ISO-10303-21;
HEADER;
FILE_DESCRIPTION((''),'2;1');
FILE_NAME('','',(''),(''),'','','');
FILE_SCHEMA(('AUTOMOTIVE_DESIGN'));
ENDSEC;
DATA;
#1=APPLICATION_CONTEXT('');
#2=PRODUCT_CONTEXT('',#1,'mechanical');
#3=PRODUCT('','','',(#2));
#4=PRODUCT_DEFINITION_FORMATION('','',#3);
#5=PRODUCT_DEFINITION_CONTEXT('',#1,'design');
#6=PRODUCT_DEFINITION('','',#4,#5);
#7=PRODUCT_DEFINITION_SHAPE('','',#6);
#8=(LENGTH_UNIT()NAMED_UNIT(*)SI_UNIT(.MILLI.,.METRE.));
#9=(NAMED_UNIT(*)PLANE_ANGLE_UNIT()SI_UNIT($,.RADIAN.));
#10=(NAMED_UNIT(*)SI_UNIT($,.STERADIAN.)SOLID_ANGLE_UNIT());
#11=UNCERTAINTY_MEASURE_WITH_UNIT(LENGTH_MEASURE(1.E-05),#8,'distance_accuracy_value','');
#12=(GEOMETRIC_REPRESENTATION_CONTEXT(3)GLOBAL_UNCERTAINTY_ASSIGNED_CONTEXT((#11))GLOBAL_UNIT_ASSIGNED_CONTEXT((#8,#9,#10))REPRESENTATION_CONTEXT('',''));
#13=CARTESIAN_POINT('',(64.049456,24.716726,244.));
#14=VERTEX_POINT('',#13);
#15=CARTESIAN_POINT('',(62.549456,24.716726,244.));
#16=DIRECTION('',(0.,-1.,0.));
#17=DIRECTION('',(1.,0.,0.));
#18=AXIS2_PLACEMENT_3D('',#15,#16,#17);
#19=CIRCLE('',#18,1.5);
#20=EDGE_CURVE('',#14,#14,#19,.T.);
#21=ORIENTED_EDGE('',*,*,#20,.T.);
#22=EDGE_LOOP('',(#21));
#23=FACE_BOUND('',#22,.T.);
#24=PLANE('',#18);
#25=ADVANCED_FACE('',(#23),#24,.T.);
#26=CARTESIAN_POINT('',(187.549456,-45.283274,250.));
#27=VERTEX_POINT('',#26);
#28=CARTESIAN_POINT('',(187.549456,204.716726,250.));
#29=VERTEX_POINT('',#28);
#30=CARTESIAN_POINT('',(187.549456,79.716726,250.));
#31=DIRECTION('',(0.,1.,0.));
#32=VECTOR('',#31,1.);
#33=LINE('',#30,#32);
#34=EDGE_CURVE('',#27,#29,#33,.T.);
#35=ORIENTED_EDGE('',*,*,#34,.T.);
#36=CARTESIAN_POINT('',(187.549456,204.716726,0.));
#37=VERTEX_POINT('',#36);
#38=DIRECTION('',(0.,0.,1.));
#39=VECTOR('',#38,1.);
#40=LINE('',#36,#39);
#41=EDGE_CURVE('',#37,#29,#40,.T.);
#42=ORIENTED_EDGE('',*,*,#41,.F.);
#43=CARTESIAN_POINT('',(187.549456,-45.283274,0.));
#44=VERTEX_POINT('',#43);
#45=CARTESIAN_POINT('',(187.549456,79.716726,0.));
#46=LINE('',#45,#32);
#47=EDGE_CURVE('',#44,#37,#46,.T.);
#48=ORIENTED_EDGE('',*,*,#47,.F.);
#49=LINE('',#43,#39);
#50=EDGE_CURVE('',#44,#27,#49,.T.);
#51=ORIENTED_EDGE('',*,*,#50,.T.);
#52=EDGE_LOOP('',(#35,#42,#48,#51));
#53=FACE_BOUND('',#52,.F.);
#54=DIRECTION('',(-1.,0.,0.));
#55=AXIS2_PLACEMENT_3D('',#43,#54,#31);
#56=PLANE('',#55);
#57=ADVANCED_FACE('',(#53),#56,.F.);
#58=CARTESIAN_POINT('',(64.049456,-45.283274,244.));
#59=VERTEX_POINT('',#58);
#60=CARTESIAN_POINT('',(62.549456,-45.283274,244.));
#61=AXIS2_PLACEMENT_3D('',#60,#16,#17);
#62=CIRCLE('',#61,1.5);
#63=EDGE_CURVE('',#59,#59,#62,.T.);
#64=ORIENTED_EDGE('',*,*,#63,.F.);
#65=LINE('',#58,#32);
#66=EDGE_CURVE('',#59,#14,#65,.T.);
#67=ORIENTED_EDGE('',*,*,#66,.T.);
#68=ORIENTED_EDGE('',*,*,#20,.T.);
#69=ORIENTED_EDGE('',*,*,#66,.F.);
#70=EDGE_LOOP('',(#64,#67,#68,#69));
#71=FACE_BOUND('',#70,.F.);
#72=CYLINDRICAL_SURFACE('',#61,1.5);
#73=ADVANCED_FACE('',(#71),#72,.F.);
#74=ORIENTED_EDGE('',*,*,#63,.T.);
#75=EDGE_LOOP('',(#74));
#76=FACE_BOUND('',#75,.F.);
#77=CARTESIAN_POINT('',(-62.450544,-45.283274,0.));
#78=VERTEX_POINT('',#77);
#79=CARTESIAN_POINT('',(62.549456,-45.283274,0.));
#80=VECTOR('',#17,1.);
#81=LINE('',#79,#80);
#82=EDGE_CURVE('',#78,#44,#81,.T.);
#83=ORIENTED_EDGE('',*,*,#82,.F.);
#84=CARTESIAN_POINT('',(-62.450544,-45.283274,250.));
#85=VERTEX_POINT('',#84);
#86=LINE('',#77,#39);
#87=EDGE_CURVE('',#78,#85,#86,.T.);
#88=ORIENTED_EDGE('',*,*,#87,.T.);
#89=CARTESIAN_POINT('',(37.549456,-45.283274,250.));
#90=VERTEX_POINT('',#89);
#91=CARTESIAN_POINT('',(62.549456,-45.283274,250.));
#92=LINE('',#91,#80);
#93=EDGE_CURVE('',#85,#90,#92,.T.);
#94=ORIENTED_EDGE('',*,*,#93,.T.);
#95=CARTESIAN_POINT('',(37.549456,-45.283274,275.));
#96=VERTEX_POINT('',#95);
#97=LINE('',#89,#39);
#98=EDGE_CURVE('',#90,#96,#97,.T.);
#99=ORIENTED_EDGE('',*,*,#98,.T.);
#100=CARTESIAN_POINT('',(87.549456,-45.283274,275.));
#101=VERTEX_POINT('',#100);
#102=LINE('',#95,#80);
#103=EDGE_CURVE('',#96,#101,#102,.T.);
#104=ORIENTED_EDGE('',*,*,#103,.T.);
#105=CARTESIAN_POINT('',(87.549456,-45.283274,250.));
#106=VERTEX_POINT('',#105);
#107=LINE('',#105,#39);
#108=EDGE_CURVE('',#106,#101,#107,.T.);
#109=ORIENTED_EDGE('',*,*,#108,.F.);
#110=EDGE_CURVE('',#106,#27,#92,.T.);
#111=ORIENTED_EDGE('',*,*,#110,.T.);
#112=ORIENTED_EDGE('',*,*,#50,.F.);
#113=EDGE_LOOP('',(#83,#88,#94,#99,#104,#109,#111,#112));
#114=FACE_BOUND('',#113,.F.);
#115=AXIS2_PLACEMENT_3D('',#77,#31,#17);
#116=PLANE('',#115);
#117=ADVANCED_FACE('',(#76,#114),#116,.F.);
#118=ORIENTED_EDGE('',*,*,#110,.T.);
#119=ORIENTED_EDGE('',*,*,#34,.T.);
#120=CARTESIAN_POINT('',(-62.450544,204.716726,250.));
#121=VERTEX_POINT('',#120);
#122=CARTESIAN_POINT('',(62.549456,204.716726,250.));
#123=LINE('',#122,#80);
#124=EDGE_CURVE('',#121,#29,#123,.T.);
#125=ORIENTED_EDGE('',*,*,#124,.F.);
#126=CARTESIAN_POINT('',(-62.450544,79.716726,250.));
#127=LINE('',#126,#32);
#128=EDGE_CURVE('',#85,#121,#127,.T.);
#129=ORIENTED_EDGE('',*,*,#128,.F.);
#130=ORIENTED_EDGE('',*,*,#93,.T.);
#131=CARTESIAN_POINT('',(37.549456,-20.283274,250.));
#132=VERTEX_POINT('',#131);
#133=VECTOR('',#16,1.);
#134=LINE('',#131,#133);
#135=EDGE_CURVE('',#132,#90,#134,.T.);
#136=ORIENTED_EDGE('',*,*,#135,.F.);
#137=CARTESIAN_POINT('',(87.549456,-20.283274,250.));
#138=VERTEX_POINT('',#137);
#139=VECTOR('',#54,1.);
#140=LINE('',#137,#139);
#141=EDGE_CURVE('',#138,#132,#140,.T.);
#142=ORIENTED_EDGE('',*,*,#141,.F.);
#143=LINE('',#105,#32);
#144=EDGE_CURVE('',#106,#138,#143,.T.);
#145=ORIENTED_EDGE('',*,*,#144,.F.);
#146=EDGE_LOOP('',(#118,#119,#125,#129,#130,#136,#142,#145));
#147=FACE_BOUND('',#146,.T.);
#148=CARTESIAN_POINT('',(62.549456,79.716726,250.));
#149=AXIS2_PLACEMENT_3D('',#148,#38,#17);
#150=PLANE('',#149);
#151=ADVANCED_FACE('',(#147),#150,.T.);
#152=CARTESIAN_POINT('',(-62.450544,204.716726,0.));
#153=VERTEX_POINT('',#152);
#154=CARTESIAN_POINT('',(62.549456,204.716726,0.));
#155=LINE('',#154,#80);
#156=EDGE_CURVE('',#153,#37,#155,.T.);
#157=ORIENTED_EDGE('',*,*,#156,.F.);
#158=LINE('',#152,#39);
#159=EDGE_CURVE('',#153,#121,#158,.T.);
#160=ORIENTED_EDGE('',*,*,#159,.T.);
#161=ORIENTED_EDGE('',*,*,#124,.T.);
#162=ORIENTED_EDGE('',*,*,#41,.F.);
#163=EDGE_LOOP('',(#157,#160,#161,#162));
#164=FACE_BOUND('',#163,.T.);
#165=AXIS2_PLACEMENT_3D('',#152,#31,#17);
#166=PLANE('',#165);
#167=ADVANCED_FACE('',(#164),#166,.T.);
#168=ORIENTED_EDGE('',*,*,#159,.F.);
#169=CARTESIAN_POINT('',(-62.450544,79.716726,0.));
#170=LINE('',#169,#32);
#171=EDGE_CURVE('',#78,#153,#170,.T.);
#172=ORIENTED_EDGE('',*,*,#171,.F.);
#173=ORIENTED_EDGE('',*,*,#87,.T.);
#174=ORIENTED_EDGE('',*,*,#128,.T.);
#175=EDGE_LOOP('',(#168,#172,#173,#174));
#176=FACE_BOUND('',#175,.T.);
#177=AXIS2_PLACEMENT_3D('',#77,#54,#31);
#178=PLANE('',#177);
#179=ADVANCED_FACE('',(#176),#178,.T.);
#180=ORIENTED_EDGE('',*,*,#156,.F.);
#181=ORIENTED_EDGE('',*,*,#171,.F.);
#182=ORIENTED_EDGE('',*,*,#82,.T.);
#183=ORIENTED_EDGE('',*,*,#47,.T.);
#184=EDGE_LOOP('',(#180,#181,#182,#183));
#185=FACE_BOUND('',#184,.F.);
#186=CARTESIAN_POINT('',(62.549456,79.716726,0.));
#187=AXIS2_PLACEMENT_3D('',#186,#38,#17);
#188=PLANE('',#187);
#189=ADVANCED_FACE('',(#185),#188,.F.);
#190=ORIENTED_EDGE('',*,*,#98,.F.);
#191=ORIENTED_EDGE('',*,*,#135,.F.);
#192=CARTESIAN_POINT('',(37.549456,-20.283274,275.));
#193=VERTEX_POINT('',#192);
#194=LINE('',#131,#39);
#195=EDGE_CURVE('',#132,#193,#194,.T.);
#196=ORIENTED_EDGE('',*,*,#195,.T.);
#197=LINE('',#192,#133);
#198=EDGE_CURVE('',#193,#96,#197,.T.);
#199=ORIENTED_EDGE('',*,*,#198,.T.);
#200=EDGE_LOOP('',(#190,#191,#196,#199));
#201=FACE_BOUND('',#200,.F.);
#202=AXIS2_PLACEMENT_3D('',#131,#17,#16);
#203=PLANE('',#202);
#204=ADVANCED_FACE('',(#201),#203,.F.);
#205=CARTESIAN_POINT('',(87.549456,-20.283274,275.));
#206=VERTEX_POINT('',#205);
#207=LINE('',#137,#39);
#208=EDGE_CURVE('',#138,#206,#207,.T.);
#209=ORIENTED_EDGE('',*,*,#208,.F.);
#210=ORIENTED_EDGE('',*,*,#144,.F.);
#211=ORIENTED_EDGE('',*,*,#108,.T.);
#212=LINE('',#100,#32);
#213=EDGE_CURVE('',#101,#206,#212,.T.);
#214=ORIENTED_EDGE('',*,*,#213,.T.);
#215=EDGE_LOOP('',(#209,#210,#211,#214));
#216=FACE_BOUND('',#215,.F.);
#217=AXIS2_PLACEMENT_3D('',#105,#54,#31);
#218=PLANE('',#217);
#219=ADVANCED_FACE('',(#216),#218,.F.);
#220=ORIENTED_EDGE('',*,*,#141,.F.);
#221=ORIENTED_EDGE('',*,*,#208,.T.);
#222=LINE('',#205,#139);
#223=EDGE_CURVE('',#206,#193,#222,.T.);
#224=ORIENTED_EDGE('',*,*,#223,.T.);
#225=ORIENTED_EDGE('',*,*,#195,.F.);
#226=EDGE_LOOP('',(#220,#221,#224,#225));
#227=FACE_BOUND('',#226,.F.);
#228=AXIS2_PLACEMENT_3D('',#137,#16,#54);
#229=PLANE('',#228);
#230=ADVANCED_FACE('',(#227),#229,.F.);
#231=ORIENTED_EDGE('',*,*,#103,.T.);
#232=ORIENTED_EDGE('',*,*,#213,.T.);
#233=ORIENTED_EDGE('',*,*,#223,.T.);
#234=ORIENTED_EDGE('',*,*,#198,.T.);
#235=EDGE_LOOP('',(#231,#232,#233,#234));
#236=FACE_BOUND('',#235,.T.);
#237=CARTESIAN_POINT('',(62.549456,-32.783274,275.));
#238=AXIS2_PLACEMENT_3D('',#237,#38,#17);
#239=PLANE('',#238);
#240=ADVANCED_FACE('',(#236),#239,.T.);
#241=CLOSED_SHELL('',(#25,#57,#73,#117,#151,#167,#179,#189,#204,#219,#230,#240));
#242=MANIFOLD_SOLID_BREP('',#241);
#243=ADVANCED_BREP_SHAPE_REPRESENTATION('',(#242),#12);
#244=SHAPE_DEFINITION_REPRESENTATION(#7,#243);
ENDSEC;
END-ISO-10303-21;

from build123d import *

# Parameters (mm, degrees)
F0_W     = 250
F0_H     = 250
F1_DEPTH = 250
F3_DEPTH = 25
F4_R     = 1.5
F5_DEPTH = 70


with BuildPart() as f1:
    # F0 (on Top) → F1 (new body)
    with BuildSketch(Plane.XY):
        with Locations((62.549456, 79.716726)):
            Rectangle(F0_W, F0_H)
    extrude(amount=F1_DEPTH)

    # F2 (on face) → F3 (join)
    with BuildSketch(Plane.XY.offset(250)):
        Polygon((37.549456, -45.283274), (62.549456, -45.283274), (87.549456, -45.283274), (87.549456, -20.283274), (37.549456, -20.283274), align=None)
    extrude(amount=F3_DEPTH)

    # F4 (on face) → F5 (cut)
    with BuildSketch(Plane.XZ.offset(45.283274)):
        with Locations((62.549456, 244)):
            Circle(F4_R)
    extrude(amount=-F5_DEPTH, mode=Mode.SUBTRACT)


solid = f1.part
